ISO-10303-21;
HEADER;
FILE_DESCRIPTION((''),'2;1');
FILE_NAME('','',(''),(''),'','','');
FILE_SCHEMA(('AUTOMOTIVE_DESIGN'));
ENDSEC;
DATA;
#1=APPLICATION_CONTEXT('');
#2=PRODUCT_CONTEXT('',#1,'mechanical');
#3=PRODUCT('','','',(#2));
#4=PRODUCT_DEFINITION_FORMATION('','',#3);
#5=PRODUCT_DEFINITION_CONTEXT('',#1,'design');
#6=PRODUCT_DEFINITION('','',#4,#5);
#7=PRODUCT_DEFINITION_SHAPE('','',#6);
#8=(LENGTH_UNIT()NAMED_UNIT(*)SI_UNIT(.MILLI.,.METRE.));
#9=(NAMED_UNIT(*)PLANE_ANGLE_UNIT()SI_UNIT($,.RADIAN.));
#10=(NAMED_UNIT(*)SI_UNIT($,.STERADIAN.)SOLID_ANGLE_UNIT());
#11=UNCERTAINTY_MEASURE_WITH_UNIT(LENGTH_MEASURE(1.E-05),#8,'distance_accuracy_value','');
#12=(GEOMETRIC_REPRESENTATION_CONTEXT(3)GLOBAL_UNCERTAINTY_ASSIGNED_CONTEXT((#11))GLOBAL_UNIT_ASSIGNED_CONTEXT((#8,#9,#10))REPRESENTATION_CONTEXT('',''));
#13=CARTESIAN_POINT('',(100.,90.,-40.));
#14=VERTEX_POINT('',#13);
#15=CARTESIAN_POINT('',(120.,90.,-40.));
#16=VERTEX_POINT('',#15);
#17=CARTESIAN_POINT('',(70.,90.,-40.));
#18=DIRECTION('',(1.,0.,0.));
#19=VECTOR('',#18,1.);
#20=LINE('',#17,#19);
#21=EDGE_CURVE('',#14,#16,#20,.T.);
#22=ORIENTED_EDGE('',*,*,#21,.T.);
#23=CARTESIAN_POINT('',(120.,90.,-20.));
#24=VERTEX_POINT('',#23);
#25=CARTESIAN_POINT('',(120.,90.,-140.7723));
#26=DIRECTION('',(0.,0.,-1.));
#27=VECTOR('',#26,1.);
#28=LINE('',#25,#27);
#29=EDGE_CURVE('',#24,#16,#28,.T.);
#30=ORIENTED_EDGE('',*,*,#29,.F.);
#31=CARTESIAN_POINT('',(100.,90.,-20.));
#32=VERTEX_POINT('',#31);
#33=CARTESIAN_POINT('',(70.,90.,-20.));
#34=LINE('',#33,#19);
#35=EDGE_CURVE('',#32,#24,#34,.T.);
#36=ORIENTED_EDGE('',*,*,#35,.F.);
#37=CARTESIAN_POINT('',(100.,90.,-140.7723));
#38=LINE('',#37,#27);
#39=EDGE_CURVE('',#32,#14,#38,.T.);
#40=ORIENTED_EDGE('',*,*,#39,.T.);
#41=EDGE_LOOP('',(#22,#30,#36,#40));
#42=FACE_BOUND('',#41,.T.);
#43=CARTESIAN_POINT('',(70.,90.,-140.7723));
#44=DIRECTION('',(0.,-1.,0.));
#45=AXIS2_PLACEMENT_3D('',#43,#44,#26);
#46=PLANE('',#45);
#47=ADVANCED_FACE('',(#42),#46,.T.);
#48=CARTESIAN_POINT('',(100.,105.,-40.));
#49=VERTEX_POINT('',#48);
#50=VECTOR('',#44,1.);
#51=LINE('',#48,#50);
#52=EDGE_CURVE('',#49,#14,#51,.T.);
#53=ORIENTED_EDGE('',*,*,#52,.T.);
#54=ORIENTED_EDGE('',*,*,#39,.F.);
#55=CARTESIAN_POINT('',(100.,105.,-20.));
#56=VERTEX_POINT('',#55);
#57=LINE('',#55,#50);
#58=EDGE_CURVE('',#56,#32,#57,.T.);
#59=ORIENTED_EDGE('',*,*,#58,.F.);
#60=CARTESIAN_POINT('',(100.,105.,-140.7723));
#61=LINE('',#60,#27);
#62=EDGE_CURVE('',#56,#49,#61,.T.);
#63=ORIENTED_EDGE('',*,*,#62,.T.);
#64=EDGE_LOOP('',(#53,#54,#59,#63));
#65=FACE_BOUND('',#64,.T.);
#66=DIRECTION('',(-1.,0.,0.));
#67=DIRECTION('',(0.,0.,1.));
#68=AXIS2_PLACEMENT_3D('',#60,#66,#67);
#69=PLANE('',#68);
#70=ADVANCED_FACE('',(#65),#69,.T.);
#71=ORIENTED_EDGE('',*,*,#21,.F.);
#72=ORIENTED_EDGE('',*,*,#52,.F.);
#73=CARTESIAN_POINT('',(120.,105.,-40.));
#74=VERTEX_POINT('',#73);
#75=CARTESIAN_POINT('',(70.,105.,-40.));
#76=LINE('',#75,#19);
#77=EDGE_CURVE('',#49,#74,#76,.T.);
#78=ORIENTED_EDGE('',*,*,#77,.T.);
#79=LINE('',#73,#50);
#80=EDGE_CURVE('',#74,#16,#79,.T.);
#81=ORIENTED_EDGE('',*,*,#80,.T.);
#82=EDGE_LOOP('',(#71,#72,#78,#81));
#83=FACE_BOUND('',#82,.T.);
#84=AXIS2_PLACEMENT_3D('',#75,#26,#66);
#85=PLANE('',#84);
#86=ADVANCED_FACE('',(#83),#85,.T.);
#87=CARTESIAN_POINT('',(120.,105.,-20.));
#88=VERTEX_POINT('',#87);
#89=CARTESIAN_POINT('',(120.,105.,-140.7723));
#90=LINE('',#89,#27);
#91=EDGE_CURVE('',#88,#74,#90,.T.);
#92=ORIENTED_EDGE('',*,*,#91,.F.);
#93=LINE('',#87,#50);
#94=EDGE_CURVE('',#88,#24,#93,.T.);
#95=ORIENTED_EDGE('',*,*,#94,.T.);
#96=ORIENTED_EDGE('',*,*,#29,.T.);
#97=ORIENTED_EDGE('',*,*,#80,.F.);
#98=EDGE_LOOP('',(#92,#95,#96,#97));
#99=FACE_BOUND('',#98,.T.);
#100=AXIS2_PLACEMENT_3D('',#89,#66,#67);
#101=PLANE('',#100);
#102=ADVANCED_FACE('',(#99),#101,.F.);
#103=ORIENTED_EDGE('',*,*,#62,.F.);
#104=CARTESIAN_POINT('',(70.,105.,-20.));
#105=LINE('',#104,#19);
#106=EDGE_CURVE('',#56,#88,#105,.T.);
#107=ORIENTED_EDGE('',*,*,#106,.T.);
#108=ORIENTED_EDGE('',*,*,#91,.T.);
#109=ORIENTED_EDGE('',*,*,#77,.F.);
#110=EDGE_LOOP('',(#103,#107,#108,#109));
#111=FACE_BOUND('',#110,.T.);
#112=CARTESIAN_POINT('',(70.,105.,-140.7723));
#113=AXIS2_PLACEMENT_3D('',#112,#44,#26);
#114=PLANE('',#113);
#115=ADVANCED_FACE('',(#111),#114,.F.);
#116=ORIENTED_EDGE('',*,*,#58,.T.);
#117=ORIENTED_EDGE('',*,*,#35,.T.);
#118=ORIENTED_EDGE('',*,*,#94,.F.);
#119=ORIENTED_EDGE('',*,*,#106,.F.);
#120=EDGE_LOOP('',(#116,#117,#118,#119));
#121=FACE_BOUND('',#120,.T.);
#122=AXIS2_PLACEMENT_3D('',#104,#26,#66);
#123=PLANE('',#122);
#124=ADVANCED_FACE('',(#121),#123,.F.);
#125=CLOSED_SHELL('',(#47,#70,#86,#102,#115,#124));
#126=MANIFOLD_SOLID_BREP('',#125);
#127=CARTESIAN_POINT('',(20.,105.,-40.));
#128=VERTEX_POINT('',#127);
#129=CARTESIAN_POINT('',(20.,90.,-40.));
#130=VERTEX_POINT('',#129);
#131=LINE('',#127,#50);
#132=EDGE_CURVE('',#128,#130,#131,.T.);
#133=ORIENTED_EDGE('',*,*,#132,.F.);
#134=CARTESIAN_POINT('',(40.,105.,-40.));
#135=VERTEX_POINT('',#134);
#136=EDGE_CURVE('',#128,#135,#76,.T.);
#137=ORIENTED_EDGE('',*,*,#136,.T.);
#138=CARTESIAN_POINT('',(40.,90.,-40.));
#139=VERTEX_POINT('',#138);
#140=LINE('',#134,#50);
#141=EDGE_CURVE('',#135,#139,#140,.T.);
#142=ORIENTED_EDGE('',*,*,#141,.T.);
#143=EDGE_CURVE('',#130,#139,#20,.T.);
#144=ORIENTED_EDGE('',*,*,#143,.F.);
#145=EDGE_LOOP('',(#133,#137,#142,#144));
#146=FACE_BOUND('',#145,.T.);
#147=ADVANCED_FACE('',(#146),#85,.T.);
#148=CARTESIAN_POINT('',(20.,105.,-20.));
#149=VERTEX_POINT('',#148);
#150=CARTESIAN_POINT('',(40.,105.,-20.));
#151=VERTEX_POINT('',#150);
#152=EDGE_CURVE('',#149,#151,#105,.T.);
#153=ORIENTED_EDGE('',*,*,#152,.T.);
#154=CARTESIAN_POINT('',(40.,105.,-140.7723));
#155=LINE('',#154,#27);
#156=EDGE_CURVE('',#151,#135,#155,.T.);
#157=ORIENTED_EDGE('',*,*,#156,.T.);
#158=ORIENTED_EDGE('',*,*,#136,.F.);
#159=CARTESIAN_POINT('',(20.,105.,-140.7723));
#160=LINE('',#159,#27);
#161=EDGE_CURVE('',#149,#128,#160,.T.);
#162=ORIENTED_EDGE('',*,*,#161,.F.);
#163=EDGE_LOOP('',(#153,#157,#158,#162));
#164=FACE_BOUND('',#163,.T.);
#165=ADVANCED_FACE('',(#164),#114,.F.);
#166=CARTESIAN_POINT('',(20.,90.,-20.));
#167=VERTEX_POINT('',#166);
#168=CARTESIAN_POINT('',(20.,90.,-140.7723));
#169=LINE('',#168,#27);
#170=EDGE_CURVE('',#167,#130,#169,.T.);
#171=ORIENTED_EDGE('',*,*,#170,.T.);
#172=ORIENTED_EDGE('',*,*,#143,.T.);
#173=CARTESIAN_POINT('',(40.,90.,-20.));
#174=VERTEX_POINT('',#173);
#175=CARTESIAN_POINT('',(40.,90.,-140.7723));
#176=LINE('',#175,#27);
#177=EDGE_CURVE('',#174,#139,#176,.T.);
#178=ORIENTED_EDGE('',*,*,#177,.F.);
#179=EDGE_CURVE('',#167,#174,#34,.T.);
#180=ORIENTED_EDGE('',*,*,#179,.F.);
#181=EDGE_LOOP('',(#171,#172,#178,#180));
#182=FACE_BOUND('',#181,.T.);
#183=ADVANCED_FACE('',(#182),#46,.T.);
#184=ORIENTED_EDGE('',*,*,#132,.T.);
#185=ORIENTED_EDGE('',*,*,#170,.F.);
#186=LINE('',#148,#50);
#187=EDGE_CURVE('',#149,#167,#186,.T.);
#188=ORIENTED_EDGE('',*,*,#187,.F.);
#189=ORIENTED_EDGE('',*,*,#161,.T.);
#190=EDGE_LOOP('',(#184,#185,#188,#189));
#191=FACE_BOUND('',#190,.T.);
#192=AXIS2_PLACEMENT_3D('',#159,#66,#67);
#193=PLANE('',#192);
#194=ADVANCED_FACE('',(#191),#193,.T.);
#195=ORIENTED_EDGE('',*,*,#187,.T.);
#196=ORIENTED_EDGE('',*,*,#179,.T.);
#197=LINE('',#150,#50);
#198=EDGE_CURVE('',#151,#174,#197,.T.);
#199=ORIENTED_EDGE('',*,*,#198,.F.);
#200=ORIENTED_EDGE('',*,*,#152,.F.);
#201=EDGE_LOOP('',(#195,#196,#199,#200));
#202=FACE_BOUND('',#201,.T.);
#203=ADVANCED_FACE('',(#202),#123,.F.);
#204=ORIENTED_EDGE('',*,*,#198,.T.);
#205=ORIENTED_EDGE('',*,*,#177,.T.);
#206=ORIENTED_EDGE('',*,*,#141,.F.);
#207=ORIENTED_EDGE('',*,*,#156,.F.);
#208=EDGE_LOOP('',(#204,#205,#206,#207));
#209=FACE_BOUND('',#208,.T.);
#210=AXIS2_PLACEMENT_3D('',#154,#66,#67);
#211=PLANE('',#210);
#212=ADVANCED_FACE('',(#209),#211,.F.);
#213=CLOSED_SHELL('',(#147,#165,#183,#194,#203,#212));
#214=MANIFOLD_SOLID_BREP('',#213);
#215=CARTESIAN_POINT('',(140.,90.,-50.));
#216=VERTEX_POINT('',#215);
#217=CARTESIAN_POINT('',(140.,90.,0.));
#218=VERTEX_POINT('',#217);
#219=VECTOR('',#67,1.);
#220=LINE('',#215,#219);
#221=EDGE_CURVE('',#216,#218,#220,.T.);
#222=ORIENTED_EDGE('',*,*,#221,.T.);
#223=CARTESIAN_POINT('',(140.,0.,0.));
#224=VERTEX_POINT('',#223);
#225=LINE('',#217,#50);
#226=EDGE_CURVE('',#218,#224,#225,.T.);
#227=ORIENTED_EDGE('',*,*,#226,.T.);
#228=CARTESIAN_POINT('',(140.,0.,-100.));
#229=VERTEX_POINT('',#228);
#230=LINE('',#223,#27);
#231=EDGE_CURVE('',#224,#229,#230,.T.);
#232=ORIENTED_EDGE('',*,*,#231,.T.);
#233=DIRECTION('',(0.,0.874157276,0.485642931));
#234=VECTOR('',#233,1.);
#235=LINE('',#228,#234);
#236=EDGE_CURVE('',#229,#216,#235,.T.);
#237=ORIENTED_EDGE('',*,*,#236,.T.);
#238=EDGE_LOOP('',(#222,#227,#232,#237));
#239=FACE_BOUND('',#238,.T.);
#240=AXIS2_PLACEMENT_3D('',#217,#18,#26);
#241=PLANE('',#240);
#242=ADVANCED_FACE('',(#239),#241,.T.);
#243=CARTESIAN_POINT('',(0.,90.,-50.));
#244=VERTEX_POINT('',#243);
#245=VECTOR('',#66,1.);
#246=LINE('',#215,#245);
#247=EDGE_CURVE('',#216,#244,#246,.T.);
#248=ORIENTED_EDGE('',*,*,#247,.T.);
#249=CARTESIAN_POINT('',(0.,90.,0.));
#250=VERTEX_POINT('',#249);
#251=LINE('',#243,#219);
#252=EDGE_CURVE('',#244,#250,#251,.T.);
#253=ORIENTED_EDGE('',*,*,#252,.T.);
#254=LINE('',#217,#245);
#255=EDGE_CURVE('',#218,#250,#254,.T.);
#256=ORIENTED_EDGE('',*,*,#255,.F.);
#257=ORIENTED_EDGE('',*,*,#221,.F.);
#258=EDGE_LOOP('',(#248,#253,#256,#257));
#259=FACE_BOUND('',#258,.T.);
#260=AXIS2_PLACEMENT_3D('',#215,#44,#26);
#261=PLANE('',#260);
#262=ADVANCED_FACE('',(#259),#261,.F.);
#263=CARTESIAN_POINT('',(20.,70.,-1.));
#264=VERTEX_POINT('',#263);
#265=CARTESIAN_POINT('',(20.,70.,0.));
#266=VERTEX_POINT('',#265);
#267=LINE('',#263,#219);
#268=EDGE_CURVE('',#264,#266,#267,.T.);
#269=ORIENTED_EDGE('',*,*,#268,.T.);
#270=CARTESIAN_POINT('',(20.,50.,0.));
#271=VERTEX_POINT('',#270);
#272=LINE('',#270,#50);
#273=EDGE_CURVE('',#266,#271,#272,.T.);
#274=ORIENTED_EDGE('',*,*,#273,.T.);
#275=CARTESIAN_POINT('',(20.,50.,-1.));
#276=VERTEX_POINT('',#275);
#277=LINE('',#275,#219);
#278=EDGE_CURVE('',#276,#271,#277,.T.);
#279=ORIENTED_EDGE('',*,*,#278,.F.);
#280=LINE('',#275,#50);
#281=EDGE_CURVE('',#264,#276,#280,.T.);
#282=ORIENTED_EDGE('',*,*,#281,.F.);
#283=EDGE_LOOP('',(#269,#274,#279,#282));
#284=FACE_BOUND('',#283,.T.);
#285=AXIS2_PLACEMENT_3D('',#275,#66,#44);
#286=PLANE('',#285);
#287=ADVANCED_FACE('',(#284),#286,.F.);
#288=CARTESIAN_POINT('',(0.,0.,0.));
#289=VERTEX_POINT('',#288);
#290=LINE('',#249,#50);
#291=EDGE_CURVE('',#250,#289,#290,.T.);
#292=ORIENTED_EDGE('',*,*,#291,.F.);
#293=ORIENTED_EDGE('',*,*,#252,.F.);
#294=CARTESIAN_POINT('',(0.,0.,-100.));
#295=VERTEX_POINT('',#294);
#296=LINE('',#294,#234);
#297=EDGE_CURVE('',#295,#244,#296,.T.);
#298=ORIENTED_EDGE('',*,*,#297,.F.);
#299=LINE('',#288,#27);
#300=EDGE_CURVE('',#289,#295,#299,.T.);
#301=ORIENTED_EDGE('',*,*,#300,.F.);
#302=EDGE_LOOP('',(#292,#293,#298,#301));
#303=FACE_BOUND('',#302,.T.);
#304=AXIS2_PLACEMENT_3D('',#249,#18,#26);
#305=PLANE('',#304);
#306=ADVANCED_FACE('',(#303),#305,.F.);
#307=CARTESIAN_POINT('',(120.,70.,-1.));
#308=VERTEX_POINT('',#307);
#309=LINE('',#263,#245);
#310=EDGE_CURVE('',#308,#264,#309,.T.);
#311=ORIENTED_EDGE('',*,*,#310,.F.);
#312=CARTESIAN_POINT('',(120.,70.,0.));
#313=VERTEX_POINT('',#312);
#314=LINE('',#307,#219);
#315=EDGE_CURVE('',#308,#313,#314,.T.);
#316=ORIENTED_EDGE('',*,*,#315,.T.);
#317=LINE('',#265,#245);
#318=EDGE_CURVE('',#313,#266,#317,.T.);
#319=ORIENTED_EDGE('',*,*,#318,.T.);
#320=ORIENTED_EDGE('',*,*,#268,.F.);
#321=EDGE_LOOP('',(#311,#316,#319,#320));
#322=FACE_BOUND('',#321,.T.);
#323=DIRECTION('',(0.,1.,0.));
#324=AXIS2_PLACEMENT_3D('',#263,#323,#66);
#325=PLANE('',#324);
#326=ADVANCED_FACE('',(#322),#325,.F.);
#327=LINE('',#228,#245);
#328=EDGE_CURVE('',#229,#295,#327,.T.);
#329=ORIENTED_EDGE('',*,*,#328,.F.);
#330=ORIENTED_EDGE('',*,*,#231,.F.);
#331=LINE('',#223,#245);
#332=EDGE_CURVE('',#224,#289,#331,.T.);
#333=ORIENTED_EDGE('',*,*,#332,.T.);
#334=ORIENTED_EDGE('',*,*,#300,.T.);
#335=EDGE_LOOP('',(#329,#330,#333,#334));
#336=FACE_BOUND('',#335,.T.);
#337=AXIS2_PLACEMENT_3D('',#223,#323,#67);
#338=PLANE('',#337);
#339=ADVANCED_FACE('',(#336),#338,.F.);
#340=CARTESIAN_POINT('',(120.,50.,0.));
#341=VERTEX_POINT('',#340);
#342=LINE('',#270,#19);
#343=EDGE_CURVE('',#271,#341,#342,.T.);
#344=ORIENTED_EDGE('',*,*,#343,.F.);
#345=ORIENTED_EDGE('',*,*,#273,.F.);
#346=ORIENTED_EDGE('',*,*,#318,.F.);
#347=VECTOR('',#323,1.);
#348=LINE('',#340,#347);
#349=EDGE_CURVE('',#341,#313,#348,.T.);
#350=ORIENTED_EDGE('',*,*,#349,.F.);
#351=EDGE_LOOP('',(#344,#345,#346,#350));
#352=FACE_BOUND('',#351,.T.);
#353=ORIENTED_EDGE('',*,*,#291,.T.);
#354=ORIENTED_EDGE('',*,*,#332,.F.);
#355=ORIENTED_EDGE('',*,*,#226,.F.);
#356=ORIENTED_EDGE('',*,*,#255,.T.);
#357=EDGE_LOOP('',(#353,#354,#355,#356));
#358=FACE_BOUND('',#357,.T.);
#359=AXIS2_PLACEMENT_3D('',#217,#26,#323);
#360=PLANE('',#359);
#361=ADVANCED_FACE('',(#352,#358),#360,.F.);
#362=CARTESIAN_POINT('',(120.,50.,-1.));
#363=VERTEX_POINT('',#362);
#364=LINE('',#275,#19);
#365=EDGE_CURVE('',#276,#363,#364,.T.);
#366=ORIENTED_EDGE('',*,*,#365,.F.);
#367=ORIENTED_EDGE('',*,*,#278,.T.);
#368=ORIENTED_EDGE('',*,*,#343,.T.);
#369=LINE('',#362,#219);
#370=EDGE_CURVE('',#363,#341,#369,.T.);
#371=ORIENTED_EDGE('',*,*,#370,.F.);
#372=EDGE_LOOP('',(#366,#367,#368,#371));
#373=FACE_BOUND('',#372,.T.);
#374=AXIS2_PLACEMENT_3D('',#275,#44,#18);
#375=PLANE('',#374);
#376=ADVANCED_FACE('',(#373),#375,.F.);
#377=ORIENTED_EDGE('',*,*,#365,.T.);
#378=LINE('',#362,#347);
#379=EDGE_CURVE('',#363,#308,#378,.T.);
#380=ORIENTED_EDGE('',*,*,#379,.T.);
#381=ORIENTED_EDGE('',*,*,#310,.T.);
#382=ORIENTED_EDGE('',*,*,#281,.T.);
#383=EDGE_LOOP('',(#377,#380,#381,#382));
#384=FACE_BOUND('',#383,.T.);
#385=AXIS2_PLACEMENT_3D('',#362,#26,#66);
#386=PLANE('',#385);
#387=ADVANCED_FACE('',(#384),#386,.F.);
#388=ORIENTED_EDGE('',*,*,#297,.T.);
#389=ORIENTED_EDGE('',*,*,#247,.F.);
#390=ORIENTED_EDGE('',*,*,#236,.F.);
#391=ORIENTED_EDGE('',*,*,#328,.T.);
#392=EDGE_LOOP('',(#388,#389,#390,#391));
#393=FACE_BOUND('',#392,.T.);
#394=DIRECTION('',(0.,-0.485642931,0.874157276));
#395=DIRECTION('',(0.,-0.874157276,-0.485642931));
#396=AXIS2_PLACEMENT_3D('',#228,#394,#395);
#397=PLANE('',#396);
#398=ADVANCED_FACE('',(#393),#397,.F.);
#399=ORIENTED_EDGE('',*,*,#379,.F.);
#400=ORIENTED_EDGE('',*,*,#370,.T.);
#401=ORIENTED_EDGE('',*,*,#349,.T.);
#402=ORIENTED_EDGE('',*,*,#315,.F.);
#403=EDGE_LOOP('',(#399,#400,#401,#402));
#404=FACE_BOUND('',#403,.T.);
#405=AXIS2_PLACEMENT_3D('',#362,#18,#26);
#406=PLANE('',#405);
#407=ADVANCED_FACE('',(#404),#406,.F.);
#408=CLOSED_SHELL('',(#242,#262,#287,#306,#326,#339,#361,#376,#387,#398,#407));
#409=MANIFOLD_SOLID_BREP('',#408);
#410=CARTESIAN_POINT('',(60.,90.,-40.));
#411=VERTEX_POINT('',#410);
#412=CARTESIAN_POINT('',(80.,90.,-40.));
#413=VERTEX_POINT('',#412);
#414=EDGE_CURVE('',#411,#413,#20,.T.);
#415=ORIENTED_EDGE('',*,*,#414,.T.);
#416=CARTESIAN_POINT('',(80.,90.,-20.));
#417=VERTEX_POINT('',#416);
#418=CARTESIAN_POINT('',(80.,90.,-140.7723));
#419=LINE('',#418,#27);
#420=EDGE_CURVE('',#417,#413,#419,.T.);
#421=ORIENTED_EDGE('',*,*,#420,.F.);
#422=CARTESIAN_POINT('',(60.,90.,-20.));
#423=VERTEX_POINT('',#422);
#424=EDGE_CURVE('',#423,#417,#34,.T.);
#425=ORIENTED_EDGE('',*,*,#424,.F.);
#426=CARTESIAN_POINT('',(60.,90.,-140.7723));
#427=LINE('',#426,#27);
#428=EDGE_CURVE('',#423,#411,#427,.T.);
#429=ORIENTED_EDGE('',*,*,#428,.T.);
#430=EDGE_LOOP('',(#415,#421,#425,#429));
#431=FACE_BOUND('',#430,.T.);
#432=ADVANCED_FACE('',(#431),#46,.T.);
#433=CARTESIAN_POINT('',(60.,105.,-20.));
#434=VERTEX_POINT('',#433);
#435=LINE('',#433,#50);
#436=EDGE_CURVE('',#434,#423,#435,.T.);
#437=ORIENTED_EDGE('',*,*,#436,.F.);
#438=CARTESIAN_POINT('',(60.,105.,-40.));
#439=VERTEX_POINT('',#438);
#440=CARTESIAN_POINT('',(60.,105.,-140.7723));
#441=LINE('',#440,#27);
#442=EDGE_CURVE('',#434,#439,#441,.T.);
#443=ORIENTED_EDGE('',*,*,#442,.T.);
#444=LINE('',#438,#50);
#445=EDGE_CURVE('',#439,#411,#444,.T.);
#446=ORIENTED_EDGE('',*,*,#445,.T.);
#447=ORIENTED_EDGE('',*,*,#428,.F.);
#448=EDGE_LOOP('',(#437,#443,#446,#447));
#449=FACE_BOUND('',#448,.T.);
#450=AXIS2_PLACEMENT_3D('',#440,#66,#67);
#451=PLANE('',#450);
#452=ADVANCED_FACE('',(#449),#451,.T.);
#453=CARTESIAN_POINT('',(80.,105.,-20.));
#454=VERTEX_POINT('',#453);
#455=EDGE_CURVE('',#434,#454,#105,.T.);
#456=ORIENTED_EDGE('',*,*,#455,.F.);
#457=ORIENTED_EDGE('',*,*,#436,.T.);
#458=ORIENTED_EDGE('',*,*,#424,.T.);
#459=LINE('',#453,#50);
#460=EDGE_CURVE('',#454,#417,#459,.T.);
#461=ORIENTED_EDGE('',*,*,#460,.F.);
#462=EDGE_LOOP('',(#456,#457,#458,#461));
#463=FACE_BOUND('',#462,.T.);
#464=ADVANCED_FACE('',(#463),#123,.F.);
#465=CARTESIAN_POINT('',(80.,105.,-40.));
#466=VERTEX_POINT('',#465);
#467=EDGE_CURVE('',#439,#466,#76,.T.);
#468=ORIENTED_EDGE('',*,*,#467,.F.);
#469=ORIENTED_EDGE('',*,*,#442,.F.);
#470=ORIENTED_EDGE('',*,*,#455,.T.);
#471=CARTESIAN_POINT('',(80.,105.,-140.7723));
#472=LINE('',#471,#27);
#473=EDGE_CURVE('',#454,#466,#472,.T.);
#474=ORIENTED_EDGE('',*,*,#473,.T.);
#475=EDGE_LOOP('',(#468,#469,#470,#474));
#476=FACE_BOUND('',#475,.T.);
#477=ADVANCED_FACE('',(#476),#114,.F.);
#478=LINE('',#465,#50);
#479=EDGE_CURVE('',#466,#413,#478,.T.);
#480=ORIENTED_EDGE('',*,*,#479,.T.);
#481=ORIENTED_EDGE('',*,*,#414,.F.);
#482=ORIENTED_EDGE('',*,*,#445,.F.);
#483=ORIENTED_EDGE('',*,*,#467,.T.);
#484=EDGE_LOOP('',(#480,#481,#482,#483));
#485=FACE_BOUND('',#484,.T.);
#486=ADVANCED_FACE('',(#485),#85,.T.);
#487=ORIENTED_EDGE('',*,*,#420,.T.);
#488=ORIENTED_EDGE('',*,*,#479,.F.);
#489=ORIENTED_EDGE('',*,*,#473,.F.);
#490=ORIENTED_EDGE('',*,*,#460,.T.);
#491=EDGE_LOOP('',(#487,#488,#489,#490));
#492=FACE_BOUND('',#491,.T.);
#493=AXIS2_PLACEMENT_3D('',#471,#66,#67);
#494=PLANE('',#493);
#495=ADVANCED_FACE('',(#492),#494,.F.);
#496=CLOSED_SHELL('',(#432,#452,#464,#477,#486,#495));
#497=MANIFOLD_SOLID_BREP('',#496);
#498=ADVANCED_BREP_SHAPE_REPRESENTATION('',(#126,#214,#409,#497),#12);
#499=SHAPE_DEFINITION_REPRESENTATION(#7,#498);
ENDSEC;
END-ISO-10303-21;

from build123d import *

# Parameters (mm, degrees)
EXTRUDE1_DEPTH     = 140
SKETCH2_W          = 100
SKETCH2_H          = 20
CUT_EXTRUDE1_DEPTH = 1
SKETCH3_W          = 20
SKETCH3_H          = 20
EXTRUDE2_DEPTH     = 15
EXTRUDE2_2_DEPTH   = 15
EXTRUDE2_3_DEPTH   = 15


with BuildPart() as part:
    # Sketch1 → Extrude1 (new body)
    with BuildSketch(Plane(origin=(0, 0, 0), x_dir=(0, 0, -1), z_dir=(1, 0, 0))):
        Polygon((0, 90), (0, 0), (100, 0), (50, 90), align=None)
    extrude(amount=EXTRUDE1_DEPTH)

    # Sketch2 → Cut-Extrude1 (cut)
    with BuildSketch(Plane.XY):
        with Locations((70, 60)):
            Rectangle(SKETCH2_W, SKETCH2_H)
    extrude(amount=-CUT_EXTRUDE1_DEPTH, mode=Mode.SUBTRACT)


with BuildPart() as body_2:
    # Sketch3 → Extrude2 (new body)
    with BuildSketch(Plane(origin=(0, 90, 0), x_dir=(-1, 0, 0), z_dir=(0, 1, 0))):
        with Locations((-30, -30)):
            Rectangle(SKETCH3_W, SKETCH3_H)
    extrude(amount=EXTRUDE2_DEPTH)


with BuildPart() as body_3:
    # Sketch3 → Extrude2 2 (new body)
    with BuildSketch(Plane(origin=(0, 90, 0), x_dir=(-1, 0, 0), z_dir=(0, 1, 0))):
        with Locations((-70, -30)):
            Rectangle(SKETCH3_W, SKETCH3_H)
    extrude(amount=EXTRUDE2_2_DEPTH)


with BuildPart() as body_4:
    # Sketch3 → Extrude2 3 (new body)
    with BuildSketch(Plane(origin=(0, 90, 0), x_dir=(-1, 0, 0), z_dir=(0, 1, 0))):
        with Locations((-110, -30)):
            Rectangle(SKETCH3_W, SKETCH3_H)
    extrude(amount=EXTRUDE2_3_DEPTH)


solid = Compound([part.part, body_2.part, body_3.part, body_4.part])
